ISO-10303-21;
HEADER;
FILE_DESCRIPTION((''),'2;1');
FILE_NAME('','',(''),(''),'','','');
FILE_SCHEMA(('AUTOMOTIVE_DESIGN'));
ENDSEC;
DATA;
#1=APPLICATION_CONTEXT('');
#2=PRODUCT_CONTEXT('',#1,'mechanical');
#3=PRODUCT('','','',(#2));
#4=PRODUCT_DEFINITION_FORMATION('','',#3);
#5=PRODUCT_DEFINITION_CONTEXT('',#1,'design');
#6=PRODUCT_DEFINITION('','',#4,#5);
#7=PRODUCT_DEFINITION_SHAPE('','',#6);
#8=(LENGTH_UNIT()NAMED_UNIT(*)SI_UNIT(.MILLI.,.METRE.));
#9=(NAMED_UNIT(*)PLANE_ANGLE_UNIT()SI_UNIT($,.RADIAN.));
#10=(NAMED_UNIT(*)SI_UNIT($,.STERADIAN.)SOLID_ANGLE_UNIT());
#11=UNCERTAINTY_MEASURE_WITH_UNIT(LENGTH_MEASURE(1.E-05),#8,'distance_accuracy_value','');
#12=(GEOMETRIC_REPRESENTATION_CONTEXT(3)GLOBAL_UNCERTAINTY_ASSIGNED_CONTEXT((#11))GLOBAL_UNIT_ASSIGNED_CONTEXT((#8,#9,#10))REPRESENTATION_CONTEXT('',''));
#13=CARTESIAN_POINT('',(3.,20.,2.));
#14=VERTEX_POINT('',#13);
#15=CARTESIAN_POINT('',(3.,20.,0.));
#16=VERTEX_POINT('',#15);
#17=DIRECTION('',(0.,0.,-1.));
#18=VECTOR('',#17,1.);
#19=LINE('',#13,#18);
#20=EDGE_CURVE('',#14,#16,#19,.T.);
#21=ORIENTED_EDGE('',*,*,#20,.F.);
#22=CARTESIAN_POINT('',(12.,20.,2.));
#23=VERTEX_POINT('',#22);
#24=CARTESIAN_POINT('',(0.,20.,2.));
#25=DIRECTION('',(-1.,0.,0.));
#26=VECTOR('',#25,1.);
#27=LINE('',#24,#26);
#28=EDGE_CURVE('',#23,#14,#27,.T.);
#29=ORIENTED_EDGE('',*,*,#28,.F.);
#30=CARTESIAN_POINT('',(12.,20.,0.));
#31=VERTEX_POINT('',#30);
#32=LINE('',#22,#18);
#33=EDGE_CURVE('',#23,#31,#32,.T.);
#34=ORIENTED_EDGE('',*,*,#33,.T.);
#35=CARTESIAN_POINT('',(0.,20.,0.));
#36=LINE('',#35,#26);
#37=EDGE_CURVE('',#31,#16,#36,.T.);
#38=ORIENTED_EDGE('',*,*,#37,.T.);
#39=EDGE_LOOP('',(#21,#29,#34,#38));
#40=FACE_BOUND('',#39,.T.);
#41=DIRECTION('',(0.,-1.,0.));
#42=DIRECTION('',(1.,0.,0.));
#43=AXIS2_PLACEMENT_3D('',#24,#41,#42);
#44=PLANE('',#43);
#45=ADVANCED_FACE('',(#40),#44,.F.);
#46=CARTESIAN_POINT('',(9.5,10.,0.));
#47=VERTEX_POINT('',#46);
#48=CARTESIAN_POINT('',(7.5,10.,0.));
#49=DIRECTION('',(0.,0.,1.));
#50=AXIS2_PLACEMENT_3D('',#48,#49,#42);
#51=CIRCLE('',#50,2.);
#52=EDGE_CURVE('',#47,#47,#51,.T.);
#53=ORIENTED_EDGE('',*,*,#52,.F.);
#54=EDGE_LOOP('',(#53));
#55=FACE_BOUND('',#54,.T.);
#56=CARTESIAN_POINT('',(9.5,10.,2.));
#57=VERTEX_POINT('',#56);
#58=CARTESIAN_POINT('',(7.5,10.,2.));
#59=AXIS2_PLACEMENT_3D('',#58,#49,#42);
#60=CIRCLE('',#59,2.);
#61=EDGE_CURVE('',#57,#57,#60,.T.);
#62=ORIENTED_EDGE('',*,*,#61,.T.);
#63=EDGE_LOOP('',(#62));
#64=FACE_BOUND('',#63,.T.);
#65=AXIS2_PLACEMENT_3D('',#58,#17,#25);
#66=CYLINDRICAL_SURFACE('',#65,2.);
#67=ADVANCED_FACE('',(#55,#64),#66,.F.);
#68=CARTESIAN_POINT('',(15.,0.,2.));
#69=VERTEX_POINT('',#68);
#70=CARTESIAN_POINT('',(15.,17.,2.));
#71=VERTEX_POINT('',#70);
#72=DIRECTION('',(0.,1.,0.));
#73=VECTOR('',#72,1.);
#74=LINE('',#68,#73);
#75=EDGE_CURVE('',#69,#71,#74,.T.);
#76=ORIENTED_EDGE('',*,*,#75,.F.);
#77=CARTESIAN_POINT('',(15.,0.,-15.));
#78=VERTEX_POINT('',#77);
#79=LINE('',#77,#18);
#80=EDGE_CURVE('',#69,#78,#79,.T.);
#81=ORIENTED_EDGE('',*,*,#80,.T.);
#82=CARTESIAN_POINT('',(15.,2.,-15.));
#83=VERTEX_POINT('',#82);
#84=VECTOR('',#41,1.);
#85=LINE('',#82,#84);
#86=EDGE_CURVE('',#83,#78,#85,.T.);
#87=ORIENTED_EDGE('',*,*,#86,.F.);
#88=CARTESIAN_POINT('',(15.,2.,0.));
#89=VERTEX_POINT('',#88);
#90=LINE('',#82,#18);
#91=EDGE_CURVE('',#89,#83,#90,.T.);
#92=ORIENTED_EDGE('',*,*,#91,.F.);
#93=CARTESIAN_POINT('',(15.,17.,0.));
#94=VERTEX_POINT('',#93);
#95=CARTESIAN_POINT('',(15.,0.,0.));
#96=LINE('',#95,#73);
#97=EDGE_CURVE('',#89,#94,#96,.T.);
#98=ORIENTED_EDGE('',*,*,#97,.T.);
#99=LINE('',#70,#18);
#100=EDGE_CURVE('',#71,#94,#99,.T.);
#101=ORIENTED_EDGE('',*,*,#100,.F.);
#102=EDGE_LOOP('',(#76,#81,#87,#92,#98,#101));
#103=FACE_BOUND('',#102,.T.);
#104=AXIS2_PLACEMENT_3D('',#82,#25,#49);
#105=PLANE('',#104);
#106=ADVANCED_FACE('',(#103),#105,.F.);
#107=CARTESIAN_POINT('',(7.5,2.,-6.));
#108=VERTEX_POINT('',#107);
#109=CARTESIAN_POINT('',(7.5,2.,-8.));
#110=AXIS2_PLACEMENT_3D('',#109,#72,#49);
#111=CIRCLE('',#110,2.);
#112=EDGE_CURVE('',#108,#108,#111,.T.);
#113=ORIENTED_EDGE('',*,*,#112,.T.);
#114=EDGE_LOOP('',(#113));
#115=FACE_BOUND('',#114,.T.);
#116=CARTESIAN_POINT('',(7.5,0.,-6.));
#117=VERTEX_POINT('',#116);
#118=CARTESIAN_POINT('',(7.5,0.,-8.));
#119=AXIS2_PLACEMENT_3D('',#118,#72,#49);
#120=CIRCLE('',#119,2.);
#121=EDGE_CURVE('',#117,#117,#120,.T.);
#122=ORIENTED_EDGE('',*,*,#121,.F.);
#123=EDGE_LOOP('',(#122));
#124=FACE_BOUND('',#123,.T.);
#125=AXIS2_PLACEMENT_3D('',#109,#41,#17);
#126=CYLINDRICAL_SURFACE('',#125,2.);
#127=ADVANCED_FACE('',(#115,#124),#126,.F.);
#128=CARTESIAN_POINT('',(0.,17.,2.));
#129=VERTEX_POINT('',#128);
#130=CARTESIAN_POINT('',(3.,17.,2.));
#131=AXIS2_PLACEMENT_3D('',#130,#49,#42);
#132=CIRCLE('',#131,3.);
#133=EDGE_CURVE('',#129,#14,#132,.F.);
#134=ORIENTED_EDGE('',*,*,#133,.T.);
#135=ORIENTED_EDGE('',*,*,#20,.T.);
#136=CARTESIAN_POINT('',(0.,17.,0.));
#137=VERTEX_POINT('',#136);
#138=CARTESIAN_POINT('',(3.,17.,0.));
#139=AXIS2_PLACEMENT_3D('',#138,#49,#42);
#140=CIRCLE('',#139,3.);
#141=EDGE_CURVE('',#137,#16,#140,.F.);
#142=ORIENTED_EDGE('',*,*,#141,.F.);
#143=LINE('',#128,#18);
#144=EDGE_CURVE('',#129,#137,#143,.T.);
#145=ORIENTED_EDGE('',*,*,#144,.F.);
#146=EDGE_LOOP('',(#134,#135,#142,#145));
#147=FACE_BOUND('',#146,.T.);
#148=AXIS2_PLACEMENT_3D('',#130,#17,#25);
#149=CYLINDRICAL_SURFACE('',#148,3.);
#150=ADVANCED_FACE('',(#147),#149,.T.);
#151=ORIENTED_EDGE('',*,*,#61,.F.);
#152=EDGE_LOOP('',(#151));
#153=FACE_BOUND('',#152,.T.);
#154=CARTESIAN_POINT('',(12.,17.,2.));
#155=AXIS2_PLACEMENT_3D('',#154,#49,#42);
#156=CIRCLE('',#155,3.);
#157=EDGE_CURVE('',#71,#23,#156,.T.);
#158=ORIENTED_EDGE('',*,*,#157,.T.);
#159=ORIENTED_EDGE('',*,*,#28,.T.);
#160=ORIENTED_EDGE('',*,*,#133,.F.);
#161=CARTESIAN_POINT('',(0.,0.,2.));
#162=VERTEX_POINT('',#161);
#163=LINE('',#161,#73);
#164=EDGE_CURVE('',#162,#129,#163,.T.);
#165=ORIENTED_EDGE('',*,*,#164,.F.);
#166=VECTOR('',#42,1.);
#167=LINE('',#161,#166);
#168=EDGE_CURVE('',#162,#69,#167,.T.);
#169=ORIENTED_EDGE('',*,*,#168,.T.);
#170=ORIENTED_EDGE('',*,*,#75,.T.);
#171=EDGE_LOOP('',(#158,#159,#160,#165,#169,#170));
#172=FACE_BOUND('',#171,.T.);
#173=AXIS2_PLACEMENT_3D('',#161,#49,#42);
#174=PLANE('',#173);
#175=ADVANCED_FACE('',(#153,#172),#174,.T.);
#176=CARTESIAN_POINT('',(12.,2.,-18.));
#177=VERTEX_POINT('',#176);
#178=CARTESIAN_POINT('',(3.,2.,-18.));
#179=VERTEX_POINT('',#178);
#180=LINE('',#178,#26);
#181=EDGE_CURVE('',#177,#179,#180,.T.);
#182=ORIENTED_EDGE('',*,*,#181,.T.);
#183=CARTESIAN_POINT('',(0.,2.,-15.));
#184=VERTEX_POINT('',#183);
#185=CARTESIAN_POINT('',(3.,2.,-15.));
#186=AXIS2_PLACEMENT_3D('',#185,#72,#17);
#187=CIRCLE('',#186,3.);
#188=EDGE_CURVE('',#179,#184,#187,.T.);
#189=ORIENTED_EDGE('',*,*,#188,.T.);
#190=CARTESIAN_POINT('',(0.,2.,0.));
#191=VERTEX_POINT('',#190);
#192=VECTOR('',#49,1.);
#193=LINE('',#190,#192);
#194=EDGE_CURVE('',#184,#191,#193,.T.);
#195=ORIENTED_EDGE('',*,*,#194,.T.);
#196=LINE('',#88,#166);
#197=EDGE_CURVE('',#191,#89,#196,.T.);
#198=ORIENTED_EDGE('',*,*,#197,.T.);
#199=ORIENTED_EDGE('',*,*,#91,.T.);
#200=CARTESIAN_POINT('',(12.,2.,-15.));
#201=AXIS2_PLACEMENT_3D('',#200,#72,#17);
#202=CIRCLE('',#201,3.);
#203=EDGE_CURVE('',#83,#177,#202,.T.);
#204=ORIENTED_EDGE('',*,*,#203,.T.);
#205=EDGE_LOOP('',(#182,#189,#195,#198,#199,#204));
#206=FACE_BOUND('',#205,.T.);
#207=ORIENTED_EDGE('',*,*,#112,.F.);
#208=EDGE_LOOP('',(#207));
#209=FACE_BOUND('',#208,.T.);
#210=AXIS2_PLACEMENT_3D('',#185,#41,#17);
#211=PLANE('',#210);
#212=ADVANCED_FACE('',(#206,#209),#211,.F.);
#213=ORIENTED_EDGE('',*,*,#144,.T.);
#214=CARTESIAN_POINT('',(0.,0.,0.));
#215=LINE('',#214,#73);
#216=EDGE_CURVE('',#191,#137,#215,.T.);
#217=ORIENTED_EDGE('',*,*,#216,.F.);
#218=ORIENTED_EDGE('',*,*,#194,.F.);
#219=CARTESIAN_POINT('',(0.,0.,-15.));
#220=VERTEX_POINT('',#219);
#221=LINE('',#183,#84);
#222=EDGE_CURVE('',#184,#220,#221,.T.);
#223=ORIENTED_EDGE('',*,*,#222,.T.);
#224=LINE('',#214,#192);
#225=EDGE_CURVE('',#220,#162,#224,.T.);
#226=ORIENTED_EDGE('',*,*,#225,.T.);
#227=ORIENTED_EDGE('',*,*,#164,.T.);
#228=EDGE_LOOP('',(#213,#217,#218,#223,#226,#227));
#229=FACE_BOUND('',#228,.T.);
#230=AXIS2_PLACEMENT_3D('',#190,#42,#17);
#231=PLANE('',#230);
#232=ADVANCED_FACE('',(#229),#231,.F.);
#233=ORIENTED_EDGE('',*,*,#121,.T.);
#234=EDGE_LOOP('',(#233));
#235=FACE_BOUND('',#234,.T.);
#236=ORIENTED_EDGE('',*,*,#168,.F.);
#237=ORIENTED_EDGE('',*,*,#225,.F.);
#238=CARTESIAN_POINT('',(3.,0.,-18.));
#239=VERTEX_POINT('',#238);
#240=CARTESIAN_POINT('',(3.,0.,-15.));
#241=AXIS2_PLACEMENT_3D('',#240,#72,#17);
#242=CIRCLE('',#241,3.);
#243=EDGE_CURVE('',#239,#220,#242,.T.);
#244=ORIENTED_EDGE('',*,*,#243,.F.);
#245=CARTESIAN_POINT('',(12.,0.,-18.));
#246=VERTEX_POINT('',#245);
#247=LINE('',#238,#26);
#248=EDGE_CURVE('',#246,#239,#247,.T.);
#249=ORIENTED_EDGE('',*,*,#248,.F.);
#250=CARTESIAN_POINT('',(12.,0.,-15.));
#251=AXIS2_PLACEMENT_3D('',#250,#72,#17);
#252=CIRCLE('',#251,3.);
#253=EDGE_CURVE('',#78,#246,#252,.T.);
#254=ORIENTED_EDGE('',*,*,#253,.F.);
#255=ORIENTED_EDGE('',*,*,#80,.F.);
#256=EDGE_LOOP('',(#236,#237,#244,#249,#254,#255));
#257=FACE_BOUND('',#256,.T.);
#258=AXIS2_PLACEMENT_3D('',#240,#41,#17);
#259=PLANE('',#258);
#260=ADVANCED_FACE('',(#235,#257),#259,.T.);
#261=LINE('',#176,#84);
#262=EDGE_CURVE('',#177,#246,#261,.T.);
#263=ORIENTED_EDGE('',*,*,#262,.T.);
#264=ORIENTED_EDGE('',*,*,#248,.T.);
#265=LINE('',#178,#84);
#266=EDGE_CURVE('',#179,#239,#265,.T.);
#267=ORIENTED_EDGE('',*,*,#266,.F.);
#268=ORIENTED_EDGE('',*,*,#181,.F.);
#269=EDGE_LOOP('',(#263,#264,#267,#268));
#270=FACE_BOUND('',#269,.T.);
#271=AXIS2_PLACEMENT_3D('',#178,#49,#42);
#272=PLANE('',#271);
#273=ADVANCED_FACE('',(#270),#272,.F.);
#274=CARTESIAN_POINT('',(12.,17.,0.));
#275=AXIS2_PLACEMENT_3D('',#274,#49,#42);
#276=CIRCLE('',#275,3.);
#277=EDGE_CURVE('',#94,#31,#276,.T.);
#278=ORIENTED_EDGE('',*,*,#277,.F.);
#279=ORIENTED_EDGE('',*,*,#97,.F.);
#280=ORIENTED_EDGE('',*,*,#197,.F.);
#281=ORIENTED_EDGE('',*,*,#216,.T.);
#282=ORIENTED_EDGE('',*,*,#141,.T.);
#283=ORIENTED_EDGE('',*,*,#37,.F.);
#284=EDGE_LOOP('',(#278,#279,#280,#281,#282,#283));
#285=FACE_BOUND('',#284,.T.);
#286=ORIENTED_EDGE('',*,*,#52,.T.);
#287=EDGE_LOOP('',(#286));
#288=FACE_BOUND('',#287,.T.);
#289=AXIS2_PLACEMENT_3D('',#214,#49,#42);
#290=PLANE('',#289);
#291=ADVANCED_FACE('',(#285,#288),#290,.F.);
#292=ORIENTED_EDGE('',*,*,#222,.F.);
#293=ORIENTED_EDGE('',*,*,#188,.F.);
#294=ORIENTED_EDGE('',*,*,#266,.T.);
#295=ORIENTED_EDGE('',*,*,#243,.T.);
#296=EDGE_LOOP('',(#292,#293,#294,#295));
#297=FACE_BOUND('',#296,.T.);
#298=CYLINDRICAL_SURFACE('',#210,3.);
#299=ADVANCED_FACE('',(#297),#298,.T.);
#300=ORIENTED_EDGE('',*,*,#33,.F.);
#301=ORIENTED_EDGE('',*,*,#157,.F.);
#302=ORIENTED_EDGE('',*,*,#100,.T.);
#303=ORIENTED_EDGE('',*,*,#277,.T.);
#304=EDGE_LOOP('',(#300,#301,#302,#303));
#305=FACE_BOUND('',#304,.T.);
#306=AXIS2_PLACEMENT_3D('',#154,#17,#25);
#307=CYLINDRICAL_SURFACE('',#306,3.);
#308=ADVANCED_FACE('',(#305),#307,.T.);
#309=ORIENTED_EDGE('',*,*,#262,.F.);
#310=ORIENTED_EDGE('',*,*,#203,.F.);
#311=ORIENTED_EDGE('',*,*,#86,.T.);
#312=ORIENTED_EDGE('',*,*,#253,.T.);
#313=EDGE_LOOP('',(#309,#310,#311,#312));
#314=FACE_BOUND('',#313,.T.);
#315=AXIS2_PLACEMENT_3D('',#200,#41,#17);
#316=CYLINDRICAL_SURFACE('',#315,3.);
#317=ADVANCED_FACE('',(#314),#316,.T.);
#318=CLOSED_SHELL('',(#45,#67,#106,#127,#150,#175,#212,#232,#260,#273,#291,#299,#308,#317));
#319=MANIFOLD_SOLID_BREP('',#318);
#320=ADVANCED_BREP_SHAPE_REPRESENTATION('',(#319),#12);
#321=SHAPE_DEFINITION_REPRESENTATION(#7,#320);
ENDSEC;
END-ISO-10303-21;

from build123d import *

# Parameters (mm, degrees)
SKETCH1_R           = 2
BOSS_EXTRUDE1_DEPTH = 2
SKETCH2_R           = 2
SKETCH2_W           = 15
SKETCH2_H           = 2
BOSS_EXTRUDE2_DEPTH = 2


with BuildPart() as part:
    # Sketch1 → Boss-Extrude1 (new body)
    with BuildSketch(Plane(origin=(0, 0, 0), x_dir=(1, 0, 0), z_dir=(0, 1, 0))):
        with BuildLine():
            Line((0, 0), (0, 15))
            ThreePointArc((0, 15), (0.878679656, 17.121320344), (3, 18))
            Line((3, 18), (12, 18))
            ThreePointArc((12, 18), (14.121320344, 17.121320344), (15, 15))
            Line((15, 15), (15, 0))
            Line((15, 0), (0, 0))
        make_face()
        with Locations((7.5, 8)):
            Circle(SKETCH1_R, mode=Mode.SUBTRACT)
    extrude(amount=BOSS_EXTRUDE1_DEPTH)

    # Sketch2 → Boss-Extrude2 (add)
    with BuildSketch(Plane.XY):
        with BuildLine():
            Line((0, 17), (0, 2))
            Line((0, 2), (15, 2))
            Line((15, 2), (15, 17))
            ThreePointArc((15, 17), (14.121320344, 19.121320344), (12, 20))
            Line((12, 20), (3, 20))
            ThreePointArc((3, 20), (0.878679656, 19.121320344), (0, 17))
        make_face()
        with Locations((7.5, 10)):
            Circle(SKETCH2_R, mode=Mode.SUBTRACT)
        with Locations((7.5, 1)):
            Rectangle(SKETCH2_W, SKETCH2_H)
    extrude(amount=BOSS_EXTRUDE2_DEPTH)


solid = part.part
